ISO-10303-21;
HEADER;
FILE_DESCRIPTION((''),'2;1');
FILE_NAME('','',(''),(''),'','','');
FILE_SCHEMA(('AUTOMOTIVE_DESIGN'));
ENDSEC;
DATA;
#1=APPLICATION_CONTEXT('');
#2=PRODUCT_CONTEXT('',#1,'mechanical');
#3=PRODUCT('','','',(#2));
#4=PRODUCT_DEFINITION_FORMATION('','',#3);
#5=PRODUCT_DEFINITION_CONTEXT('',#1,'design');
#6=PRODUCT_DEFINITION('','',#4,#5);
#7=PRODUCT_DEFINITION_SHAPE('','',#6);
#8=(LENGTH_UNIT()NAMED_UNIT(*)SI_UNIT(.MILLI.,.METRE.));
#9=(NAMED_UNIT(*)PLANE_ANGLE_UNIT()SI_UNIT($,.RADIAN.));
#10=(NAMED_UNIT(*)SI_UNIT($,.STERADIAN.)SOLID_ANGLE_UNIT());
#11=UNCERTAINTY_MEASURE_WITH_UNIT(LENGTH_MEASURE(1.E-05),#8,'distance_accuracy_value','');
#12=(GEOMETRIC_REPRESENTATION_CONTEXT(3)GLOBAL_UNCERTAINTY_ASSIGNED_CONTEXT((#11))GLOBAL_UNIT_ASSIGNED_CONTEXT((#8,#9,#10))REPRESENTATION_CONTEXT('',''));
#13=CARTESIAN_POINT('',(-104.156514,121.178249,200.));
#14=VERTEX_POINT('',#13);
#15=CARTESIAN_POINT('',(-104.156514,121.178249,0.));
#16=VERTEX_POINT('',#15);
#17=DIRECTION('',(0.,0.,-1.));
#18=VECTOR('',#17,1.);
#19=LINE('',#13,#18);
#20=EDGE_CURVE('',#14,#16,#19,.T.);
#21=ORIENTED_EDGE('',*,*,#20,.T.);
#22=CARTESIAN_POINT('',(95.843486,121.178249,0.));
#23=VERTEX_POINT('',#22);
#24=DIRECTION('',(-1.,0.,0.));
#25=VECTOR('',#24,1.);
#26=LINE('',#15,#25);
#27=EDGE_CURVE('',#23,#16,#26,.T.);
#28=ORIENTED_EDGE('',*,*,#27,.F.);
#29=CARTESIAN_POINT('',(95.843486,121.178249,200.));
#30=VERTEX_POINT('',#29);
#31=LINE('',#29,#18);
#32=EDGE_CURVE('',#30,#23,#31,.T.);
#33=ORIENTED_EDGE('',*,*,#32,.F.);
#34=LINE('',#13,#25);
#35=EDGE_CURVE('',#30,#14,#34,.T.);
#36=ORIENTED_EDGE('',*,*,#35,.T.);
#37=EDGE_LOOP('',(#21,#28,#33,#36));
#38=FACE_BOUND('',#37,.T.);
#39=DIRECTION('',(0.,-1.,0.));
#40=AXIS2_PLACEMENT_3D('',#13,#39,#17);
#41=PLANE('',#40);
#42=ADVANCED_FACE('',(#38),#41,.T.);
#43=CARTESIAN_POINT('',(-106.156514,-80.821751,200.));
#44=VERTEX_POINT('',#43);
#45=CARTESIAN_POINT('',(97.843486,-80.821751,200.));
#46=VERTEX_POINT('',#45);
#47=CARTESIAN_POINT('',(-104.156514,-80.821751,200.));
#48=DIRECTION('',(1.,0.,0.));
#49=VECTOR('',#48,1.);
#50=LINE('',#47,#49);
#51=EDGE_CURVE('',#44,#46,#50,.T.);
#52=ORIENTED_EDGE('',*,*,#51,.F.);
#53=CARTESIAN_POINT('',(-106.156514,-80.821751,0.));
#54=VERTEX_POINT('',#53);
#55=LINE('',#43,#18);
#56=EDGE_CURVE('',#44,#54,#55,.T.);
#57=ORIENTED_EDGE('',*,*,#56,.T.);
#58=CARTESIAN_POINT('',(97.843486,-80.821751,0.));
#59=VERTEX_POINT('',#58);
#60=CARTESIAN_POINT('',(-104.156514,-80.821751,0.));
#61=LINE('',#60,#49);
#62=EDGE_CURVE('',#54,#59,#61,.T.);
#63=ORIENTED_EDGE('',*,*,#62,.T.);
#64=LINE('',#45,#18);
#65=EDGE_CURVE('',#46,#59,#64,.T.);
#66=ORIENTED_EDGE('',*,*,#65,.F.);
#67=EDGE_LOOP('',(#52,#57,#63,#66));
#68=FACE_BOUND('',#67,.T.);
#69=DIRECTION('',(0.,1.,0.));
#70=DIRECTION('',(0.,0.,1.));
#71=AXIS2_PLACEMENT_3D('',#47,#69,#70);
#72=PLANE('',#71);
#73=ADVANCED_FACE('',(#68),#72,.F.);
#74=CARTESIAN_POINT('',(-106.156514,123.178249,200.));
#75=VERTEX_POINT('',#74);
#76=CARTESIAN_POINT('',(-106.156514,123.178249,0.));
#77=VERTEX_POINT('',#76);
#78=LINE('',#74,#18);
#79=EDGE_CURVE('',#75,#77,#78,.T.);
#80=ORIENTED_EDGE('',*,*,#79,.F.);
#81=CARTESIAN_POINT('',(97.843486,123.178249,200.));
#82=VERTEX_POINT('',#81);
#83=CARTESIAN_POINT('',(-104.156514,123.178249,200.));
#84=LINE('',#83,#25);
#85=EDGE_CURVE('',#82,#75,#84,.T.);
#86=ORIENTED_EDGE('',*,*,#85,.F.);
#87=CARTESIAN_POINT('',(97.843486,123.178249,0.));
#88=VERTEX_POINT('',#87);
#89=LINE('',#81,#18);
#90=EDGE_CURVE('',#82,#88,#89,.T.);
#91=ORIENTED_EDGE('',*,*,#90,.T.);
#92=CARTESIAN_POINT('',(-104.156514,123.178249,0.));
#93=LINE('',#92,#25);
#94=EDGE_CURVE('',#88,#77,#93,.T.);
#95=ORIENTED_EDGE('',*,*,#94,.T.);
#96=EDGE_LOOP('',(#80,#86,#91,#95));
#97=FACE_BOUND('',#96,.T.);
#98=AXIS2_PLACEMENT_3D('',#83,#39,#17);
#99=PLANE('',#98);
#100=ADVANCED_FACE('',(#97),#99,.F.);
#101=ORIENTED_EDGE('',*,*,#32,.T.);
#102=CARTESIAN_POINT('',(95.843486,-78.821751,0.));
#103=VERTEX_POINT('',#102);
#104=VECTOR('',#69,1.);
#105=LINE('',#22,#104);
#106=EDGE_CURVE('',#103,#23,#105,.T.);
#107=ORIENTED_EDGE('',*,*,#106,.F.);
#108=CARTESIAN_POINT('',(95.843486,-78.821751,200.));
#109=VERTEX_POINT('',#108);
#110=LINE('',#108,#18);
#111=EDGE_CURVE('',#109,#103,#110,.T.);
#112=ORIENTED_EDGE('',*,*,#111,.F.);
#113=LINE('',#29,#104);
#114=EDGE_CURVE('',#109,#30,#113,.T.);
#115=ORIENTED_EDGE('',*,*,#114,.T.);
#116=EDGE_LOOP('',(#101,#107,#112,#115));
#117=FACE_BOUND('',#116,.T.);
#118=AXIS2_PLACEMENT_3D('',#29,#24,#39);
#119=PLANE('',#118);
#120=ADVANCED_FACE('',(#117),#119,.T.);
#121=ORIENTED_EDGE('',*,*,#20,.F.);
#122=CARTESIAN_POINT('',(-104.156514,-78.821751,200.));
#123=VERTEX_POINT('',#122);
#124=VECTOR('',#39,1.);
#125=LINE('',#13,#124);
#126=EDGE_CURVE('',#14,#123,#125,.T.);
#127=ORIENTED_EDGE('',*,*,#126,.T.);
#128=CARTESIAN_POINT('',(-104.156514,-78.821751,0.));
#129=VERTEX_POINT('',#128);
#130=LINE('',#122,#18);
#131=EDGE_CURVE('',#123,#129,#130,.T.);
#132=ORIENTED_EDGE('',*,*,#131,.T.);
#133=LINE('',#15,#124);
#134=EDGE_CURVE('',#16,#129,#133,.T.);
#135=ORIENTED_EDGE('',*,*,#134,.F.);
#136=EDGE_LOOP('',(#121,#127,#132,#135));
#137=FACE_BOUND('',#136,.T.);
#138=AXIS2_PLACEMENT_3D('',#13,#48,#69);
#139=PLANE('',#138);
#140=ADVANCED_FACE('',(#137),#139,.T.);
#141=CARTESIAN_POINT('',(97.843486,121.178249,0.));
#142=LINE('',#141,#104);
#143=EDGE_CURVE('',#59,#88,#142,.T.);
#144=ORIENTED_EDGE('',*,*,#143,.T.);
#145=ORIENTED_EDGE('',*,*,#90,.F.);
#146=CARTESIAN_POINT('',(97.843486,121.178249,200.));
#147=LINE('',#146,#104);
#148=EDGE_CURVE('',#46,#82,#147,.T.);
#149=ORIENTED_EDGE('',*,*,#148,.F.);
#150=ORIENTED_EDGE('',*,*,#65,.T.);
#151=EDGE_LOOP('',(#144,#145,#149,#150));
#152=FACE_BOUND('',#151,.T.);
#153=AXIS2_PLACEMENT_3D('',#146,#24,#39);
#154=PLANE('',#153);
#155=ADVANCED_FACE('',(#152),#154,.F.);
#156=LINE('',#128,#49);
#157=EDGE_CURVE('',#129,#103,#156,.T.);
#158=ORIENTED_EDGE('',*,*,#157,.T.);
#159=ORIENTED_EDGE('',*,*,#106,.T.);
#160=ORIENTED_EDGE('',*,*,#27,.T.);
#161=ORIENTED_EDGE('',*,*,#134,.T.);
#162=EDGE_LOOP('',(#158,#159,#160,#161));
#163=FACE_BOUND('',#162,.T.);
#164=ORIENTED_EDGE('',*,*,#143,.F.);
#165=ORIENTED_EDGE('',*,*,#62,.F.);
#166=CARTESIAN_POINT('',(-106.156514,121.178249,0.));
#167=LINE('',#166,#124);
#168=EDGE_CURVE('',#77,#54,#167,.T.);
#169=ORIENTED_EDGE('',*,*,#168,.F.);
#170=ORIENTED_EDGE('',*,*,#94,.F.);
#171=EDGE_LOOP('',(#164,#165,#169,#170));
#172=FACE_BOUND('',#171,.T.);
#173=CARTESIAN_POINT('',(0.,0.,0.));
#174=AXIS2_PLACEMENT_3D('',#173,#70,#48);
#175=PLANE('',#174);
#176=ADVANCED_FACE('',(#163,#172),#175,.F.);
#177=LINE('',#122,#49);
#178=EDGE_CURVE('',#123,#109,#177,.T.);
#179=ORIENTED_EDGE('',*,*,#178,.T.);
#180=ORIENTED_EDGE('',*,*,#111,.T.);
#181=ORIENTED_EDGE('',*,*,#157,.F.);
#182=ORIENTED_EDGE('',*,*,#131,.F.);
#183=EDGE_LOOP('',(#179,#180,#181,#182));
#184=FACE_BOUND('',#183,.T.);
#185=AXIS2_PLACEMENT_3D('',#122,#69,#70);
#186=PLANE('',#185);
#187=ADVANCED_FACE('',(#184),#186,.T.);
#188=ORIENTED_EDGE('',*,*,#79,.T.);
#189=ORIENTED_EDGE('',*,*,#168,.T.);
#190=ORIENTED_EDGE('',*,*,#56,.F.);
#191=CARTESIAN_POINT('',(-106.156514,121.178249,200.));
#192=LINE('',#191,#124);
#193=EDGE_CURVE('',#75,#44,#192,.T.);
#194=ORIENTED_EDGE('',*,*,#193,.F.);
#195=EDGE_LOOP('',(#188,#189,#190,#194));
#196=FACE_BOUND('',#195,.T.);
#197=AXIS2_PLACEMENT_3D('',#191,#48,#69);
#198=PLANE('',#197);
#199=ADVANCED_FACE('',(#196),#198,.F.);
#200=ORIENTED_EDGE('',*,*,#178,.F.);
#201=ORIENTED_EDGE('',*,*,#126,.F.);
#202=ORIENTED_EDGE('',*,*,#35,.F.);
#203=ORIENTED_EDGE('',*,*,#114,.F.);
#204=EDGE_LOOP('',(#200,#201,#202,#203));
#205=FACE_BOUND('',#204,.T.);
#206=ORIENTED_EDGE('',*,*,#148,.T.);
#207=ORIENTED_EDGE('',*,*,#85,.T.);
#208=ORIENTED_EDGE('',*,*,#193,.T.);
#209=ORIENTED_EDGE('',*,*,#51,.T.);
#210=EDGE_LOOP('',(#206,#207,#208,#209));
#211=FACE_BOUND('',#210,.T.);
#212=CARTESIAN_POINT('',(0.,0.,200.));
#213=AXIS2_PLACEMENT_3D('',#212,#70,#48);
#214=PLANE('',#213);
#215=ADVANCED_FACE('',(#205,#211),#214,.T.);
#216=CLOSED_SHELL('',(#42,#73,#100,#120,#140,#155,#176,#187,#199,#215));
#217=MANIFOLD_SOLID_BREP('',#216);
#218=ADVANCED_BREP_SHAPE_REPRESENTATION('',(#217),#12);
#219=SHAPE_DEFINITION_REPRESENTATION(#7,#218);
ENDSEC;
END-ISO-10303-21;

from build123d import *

# Parameters (mm, degrees)
SKETCH_1_W      = 204
SKETCH_1_H      = 204
SKETCH_1_W_2    = 200
SKETCH_1_H_2    = 200
EXTRUDE_1_DEPTH = 200


with BuildPart() as part:
    # Эскиз1 → Вытянуть-Тонкостенный1 (new body)
    with BuildSketch(Plane.XY):
        with Locations((-4.156513972, 21.178249185)):
            Rectangle(SKETCH_1_W, SKETCH_1_H)
        with Locations((-4.156513972, 21.178249185)):
            Rectangle(SKETCH_1_W_2, SKETCH_1_H_2, mode=Mode.SUBTRACT)
    extrude(amount=EXTRUDE_1_DEPTH)


solid = part.part
